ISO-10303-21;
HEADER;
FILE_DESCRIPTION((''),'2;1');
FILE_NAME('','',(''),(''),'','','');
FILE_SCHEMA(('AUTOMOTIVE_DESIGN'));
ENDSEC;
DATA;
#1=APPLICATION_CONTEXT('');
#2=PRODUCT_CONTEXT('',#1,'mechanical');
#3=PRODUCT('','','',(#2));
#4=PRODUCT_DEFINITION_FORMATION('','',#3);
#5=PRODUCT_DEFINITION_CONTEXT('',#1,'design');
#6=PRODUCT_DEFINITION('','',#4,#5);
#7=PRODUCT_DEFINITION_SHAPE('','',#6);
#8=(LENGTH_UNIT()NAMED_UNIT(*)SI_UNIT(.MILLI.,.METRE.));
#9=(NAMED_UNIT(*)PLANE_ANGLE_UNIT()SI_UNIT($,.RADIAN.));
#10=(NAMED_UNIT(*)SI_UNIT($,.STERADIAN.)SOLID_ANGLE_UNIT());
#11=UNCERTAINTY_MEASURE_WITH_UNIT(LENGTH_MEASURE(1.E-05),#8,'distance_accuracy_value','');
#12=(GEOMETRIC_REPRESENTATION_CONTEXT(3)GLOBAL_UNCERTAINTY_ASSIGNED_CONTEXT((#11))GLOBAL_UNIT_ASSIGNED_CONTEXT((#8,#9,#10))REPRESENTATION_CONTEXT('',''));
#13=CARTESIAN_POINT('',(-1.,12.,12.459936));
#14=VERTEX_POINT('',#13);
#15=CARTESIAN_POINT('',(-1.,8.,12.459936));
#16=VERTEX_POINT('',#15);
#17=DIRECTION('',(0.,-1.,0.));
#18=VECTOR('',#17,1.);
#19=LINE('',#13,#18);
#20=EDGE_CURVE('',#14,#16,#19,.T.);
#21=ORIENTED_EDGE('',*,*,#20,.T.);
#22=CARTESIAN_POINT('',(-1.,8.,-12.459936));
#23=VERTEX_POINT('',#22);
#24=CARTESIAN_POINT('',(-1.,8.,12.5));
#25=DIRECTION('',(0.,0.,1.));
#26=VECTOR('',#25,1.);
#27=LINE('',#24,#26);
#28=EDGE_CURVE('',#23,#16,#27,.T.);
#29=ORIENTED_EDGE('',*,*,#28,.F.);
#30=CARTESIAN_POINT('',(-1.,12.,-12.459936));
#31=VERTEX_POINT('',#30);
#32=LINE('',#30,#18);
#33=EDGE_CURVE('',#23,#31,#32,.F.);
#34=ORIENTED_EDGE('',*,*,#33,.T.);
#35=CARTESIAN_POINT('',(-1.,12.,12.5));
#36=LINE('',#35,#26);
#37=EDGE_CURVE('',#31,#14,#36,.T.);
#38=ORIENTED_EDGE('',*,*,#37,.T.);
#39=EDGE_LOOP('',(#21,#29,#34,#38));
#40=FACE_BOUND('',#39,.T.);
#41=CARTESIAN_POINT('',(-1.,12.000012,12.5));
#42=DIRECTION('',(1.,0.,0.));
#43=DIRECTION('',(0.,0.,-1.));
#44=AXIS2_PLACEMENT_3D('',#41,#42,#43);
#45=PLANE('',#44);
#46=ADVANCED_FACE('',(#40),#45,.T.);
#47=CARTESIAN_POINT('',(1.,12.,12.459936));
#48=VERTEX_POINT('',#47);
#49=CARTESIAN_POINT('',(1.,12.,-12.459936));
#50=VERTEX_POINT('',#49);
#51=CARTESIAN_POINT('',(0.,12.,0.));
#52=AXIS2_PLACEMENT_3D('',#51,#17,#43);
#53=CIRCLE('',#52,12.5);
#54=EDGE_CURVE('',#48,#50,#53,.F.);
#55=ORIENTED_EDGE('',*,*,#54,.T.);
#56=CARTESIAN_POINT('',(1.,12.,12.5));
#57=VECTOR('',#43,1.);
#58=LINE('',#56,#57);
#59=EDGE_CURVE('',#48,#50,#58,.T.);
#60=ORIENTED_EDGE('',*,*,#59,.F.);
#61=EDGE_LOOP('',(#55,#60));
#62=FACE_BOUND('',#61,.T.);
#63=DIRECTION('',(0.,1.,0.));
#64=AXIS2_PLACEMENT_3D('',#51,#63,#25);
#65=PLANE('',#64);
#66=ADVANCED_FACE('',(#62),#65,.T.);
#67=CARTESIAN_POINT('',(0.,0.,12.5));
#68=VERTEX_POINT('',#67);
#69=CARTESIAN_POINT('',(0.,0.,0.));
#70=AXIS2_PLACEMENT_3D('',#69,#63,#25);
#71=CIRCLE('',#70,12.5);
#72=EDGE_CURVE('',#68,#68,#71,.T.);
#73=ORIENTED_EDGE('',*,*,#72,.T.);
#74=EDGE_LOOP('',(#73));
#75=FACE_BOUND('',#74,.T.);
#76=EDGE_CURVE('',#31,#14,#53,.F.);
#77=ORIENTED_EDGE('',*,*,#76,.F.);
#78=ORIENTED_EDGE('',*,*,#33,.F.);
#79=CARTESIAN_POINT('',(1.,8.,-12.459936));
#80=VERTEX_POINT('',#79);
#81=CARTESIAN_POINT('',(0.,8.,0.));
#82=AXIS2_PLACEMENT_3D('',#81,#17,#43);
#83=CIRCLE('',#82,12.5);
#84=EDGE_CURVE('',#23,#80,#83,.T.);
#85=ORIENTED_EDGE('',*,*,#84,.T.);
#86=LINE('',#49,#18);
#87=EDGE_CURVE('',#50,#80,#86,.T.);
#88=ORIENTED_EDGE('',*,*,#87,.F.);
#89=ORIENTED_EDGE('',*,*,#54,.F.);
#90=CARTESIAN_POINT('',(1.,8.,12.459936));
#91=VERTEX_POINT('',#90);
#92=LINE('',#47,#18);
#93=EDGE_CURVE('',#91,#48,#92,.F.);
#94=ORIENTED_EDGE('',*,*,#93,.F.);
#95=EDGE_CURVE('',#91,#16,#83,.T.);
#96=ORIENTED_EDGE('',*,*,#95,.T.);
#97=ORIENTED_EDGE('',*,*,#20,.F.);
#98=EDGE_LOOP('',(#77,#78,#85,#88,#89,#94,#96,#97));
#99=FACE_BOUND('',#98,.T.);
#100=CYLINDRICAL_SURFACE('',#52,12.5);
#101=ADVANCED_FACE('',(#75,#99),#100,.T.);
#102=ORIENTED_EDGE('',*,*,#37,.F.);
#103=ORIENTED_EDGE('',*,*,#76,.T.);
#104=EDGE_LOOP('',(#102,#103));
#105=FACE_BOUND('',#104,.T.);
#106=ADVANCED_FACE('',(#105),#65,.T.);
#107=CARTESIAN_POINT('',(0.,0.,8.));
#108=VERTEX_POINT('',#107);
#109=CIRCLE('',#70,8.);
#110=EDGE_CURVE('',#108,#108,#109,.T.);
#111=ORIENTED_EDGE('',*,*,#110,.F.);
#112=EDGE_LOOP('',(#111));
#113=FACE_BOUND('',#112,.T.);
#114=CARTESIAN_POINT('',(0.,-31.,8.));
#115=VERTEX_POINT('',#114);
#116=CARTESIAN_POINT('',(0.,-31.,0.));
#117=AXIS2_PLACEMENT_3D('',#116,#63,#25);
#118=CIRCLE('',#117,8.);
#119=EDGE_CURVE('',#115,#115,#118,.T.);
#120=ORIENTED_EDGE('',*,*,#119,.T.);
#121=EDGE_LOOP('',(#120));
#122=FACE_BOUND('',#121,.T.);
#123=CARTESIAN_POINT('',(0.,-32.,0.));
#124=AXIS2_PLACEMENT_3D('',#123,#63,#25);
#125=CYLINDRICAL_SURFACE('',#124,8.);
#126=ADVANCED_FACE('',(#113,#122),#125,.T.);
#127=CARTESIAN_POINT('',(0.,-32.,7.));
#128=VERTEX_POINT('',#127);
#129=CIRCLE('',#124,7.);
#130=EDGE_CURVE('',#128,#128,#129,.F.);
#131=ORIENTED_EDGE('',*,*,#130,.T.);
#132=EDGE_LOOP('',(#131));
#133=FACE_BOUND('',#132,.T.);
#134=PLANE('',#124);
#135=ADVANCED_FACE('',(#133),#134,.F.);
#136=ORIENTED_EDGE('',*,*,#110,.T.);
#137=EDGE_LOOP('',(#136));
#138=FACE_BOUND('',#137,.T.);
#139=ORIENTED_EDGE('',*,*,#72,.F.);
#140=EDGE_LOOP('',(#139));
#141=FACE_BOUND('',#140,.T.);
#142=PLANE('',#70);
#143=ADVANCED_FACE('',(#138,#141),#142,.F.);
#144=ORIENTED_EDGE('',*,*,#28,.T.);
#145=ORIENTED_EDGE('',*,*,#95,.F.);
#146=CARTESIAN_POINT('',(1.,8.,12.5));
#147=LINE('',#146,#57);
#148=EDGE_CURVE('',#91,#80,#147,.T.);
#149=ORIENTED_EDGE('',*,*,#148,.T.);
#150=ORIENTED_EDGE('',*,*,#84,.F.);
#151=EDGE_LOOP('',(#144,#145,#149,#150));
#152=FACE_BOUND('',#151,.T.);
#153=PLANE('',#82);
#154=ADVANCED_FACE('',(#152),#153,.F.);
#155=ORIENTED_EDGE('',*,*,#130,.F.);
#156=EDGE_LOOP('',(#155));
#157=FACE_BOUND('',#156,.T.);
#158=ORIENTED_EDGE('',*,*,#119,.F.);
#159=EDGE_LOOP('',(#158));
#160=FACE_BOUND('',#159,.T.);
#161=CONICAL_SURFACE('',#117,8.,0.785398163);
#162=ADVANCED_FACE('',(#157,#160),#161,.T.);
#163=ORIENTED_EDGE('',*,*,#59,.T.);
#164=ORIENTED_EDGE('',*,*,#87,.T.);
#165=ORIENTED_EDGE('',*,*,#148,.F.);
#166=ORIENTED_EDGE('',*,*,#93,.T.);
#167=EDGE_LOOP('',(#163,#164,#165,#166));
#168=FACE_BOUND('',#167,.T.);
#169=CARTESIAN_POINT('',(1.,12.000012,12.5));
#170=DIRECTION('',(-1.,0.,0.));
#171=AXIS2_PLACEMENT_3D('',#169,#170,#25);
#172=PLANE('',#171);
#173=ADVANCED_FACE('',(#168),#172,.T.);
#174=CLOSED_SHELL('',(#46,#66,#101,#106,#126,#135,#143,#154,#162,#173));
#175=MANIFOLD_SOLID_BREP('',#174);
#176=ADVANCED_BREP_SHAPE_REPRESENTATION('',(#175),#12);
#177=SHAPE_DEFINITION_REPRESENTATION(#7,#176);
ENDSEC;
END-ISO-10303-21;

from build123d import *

# Parameters (mm, degrees)
IZIM3_R                     = 12.5
Y_KSEKLIK_EKSTR_ZYON1_DEPTH = 12
IZIM3_3_R                   = 8
Y_KSEKLIK_EKSTR_ZYON2_DEPTH = 32
PAH1_SIZE                   = 1
KES_EKSTR_ZYON1_DEPTH       = 48.418350878
KES_EKSTR_ZYON1_DEPTH_BACK  = 4
IZIM4_W                     = 2
IZIM4_H                     = 25


with BuildPart() as part:
    # Çizim3 → Yükseklik-Ekstrüzyon1 (new body)
    with BuildSketch(Plane(origin=(0, 0, 0), x_dir=(1, 0, 0), z_dir=(0, 1, 0))):
        Circle(IZIM3_R)
    extrude(amount=Y_KSEKLIK_EKSTR_ZYON1_DEPTH)

    # Çizim3<3> → Yükseklik-Ekstrüzyon2 (add)
    with BuildSketch(Plane(origin=(0, 0, 0), x_dir=(1, 0, 0), z_dir=(0, 1, 0))):
        Circle(IZIM3_3_R)
    extrude(amount=-Y_KSEKLIK_EKSTR_ZYON2_DEPTH)

    # Pah1
    pah1_edges = [part.edges().sort_by_distance(p)[0] for p in [
        (-8, -32, 0),
    ]]
    chamfer(pah1_edges, length=PAH1_SIZE)

    # Çizim4 → Kes-Ekstrüzyon1 (cut, two sides: drawn at the far end of the back side and taken through both)
    with BuildSketch(Plane(origin=(0, 12, 0), x_dir=(1, 0, 0), z_dir=(0, 1, 0)).offset(-KES_EKSTR_ZYON1_DEPTH_BACK)):
        Rectangle(IZIM4_W, IZIM4_H)
    extrude(amount=KES_EKSTR_ZYON1_DEPTH + KES_EKSTR_ZYON1_DEPTH_BACK, mode=Mode.SUBTRACT)


solid = part.part
